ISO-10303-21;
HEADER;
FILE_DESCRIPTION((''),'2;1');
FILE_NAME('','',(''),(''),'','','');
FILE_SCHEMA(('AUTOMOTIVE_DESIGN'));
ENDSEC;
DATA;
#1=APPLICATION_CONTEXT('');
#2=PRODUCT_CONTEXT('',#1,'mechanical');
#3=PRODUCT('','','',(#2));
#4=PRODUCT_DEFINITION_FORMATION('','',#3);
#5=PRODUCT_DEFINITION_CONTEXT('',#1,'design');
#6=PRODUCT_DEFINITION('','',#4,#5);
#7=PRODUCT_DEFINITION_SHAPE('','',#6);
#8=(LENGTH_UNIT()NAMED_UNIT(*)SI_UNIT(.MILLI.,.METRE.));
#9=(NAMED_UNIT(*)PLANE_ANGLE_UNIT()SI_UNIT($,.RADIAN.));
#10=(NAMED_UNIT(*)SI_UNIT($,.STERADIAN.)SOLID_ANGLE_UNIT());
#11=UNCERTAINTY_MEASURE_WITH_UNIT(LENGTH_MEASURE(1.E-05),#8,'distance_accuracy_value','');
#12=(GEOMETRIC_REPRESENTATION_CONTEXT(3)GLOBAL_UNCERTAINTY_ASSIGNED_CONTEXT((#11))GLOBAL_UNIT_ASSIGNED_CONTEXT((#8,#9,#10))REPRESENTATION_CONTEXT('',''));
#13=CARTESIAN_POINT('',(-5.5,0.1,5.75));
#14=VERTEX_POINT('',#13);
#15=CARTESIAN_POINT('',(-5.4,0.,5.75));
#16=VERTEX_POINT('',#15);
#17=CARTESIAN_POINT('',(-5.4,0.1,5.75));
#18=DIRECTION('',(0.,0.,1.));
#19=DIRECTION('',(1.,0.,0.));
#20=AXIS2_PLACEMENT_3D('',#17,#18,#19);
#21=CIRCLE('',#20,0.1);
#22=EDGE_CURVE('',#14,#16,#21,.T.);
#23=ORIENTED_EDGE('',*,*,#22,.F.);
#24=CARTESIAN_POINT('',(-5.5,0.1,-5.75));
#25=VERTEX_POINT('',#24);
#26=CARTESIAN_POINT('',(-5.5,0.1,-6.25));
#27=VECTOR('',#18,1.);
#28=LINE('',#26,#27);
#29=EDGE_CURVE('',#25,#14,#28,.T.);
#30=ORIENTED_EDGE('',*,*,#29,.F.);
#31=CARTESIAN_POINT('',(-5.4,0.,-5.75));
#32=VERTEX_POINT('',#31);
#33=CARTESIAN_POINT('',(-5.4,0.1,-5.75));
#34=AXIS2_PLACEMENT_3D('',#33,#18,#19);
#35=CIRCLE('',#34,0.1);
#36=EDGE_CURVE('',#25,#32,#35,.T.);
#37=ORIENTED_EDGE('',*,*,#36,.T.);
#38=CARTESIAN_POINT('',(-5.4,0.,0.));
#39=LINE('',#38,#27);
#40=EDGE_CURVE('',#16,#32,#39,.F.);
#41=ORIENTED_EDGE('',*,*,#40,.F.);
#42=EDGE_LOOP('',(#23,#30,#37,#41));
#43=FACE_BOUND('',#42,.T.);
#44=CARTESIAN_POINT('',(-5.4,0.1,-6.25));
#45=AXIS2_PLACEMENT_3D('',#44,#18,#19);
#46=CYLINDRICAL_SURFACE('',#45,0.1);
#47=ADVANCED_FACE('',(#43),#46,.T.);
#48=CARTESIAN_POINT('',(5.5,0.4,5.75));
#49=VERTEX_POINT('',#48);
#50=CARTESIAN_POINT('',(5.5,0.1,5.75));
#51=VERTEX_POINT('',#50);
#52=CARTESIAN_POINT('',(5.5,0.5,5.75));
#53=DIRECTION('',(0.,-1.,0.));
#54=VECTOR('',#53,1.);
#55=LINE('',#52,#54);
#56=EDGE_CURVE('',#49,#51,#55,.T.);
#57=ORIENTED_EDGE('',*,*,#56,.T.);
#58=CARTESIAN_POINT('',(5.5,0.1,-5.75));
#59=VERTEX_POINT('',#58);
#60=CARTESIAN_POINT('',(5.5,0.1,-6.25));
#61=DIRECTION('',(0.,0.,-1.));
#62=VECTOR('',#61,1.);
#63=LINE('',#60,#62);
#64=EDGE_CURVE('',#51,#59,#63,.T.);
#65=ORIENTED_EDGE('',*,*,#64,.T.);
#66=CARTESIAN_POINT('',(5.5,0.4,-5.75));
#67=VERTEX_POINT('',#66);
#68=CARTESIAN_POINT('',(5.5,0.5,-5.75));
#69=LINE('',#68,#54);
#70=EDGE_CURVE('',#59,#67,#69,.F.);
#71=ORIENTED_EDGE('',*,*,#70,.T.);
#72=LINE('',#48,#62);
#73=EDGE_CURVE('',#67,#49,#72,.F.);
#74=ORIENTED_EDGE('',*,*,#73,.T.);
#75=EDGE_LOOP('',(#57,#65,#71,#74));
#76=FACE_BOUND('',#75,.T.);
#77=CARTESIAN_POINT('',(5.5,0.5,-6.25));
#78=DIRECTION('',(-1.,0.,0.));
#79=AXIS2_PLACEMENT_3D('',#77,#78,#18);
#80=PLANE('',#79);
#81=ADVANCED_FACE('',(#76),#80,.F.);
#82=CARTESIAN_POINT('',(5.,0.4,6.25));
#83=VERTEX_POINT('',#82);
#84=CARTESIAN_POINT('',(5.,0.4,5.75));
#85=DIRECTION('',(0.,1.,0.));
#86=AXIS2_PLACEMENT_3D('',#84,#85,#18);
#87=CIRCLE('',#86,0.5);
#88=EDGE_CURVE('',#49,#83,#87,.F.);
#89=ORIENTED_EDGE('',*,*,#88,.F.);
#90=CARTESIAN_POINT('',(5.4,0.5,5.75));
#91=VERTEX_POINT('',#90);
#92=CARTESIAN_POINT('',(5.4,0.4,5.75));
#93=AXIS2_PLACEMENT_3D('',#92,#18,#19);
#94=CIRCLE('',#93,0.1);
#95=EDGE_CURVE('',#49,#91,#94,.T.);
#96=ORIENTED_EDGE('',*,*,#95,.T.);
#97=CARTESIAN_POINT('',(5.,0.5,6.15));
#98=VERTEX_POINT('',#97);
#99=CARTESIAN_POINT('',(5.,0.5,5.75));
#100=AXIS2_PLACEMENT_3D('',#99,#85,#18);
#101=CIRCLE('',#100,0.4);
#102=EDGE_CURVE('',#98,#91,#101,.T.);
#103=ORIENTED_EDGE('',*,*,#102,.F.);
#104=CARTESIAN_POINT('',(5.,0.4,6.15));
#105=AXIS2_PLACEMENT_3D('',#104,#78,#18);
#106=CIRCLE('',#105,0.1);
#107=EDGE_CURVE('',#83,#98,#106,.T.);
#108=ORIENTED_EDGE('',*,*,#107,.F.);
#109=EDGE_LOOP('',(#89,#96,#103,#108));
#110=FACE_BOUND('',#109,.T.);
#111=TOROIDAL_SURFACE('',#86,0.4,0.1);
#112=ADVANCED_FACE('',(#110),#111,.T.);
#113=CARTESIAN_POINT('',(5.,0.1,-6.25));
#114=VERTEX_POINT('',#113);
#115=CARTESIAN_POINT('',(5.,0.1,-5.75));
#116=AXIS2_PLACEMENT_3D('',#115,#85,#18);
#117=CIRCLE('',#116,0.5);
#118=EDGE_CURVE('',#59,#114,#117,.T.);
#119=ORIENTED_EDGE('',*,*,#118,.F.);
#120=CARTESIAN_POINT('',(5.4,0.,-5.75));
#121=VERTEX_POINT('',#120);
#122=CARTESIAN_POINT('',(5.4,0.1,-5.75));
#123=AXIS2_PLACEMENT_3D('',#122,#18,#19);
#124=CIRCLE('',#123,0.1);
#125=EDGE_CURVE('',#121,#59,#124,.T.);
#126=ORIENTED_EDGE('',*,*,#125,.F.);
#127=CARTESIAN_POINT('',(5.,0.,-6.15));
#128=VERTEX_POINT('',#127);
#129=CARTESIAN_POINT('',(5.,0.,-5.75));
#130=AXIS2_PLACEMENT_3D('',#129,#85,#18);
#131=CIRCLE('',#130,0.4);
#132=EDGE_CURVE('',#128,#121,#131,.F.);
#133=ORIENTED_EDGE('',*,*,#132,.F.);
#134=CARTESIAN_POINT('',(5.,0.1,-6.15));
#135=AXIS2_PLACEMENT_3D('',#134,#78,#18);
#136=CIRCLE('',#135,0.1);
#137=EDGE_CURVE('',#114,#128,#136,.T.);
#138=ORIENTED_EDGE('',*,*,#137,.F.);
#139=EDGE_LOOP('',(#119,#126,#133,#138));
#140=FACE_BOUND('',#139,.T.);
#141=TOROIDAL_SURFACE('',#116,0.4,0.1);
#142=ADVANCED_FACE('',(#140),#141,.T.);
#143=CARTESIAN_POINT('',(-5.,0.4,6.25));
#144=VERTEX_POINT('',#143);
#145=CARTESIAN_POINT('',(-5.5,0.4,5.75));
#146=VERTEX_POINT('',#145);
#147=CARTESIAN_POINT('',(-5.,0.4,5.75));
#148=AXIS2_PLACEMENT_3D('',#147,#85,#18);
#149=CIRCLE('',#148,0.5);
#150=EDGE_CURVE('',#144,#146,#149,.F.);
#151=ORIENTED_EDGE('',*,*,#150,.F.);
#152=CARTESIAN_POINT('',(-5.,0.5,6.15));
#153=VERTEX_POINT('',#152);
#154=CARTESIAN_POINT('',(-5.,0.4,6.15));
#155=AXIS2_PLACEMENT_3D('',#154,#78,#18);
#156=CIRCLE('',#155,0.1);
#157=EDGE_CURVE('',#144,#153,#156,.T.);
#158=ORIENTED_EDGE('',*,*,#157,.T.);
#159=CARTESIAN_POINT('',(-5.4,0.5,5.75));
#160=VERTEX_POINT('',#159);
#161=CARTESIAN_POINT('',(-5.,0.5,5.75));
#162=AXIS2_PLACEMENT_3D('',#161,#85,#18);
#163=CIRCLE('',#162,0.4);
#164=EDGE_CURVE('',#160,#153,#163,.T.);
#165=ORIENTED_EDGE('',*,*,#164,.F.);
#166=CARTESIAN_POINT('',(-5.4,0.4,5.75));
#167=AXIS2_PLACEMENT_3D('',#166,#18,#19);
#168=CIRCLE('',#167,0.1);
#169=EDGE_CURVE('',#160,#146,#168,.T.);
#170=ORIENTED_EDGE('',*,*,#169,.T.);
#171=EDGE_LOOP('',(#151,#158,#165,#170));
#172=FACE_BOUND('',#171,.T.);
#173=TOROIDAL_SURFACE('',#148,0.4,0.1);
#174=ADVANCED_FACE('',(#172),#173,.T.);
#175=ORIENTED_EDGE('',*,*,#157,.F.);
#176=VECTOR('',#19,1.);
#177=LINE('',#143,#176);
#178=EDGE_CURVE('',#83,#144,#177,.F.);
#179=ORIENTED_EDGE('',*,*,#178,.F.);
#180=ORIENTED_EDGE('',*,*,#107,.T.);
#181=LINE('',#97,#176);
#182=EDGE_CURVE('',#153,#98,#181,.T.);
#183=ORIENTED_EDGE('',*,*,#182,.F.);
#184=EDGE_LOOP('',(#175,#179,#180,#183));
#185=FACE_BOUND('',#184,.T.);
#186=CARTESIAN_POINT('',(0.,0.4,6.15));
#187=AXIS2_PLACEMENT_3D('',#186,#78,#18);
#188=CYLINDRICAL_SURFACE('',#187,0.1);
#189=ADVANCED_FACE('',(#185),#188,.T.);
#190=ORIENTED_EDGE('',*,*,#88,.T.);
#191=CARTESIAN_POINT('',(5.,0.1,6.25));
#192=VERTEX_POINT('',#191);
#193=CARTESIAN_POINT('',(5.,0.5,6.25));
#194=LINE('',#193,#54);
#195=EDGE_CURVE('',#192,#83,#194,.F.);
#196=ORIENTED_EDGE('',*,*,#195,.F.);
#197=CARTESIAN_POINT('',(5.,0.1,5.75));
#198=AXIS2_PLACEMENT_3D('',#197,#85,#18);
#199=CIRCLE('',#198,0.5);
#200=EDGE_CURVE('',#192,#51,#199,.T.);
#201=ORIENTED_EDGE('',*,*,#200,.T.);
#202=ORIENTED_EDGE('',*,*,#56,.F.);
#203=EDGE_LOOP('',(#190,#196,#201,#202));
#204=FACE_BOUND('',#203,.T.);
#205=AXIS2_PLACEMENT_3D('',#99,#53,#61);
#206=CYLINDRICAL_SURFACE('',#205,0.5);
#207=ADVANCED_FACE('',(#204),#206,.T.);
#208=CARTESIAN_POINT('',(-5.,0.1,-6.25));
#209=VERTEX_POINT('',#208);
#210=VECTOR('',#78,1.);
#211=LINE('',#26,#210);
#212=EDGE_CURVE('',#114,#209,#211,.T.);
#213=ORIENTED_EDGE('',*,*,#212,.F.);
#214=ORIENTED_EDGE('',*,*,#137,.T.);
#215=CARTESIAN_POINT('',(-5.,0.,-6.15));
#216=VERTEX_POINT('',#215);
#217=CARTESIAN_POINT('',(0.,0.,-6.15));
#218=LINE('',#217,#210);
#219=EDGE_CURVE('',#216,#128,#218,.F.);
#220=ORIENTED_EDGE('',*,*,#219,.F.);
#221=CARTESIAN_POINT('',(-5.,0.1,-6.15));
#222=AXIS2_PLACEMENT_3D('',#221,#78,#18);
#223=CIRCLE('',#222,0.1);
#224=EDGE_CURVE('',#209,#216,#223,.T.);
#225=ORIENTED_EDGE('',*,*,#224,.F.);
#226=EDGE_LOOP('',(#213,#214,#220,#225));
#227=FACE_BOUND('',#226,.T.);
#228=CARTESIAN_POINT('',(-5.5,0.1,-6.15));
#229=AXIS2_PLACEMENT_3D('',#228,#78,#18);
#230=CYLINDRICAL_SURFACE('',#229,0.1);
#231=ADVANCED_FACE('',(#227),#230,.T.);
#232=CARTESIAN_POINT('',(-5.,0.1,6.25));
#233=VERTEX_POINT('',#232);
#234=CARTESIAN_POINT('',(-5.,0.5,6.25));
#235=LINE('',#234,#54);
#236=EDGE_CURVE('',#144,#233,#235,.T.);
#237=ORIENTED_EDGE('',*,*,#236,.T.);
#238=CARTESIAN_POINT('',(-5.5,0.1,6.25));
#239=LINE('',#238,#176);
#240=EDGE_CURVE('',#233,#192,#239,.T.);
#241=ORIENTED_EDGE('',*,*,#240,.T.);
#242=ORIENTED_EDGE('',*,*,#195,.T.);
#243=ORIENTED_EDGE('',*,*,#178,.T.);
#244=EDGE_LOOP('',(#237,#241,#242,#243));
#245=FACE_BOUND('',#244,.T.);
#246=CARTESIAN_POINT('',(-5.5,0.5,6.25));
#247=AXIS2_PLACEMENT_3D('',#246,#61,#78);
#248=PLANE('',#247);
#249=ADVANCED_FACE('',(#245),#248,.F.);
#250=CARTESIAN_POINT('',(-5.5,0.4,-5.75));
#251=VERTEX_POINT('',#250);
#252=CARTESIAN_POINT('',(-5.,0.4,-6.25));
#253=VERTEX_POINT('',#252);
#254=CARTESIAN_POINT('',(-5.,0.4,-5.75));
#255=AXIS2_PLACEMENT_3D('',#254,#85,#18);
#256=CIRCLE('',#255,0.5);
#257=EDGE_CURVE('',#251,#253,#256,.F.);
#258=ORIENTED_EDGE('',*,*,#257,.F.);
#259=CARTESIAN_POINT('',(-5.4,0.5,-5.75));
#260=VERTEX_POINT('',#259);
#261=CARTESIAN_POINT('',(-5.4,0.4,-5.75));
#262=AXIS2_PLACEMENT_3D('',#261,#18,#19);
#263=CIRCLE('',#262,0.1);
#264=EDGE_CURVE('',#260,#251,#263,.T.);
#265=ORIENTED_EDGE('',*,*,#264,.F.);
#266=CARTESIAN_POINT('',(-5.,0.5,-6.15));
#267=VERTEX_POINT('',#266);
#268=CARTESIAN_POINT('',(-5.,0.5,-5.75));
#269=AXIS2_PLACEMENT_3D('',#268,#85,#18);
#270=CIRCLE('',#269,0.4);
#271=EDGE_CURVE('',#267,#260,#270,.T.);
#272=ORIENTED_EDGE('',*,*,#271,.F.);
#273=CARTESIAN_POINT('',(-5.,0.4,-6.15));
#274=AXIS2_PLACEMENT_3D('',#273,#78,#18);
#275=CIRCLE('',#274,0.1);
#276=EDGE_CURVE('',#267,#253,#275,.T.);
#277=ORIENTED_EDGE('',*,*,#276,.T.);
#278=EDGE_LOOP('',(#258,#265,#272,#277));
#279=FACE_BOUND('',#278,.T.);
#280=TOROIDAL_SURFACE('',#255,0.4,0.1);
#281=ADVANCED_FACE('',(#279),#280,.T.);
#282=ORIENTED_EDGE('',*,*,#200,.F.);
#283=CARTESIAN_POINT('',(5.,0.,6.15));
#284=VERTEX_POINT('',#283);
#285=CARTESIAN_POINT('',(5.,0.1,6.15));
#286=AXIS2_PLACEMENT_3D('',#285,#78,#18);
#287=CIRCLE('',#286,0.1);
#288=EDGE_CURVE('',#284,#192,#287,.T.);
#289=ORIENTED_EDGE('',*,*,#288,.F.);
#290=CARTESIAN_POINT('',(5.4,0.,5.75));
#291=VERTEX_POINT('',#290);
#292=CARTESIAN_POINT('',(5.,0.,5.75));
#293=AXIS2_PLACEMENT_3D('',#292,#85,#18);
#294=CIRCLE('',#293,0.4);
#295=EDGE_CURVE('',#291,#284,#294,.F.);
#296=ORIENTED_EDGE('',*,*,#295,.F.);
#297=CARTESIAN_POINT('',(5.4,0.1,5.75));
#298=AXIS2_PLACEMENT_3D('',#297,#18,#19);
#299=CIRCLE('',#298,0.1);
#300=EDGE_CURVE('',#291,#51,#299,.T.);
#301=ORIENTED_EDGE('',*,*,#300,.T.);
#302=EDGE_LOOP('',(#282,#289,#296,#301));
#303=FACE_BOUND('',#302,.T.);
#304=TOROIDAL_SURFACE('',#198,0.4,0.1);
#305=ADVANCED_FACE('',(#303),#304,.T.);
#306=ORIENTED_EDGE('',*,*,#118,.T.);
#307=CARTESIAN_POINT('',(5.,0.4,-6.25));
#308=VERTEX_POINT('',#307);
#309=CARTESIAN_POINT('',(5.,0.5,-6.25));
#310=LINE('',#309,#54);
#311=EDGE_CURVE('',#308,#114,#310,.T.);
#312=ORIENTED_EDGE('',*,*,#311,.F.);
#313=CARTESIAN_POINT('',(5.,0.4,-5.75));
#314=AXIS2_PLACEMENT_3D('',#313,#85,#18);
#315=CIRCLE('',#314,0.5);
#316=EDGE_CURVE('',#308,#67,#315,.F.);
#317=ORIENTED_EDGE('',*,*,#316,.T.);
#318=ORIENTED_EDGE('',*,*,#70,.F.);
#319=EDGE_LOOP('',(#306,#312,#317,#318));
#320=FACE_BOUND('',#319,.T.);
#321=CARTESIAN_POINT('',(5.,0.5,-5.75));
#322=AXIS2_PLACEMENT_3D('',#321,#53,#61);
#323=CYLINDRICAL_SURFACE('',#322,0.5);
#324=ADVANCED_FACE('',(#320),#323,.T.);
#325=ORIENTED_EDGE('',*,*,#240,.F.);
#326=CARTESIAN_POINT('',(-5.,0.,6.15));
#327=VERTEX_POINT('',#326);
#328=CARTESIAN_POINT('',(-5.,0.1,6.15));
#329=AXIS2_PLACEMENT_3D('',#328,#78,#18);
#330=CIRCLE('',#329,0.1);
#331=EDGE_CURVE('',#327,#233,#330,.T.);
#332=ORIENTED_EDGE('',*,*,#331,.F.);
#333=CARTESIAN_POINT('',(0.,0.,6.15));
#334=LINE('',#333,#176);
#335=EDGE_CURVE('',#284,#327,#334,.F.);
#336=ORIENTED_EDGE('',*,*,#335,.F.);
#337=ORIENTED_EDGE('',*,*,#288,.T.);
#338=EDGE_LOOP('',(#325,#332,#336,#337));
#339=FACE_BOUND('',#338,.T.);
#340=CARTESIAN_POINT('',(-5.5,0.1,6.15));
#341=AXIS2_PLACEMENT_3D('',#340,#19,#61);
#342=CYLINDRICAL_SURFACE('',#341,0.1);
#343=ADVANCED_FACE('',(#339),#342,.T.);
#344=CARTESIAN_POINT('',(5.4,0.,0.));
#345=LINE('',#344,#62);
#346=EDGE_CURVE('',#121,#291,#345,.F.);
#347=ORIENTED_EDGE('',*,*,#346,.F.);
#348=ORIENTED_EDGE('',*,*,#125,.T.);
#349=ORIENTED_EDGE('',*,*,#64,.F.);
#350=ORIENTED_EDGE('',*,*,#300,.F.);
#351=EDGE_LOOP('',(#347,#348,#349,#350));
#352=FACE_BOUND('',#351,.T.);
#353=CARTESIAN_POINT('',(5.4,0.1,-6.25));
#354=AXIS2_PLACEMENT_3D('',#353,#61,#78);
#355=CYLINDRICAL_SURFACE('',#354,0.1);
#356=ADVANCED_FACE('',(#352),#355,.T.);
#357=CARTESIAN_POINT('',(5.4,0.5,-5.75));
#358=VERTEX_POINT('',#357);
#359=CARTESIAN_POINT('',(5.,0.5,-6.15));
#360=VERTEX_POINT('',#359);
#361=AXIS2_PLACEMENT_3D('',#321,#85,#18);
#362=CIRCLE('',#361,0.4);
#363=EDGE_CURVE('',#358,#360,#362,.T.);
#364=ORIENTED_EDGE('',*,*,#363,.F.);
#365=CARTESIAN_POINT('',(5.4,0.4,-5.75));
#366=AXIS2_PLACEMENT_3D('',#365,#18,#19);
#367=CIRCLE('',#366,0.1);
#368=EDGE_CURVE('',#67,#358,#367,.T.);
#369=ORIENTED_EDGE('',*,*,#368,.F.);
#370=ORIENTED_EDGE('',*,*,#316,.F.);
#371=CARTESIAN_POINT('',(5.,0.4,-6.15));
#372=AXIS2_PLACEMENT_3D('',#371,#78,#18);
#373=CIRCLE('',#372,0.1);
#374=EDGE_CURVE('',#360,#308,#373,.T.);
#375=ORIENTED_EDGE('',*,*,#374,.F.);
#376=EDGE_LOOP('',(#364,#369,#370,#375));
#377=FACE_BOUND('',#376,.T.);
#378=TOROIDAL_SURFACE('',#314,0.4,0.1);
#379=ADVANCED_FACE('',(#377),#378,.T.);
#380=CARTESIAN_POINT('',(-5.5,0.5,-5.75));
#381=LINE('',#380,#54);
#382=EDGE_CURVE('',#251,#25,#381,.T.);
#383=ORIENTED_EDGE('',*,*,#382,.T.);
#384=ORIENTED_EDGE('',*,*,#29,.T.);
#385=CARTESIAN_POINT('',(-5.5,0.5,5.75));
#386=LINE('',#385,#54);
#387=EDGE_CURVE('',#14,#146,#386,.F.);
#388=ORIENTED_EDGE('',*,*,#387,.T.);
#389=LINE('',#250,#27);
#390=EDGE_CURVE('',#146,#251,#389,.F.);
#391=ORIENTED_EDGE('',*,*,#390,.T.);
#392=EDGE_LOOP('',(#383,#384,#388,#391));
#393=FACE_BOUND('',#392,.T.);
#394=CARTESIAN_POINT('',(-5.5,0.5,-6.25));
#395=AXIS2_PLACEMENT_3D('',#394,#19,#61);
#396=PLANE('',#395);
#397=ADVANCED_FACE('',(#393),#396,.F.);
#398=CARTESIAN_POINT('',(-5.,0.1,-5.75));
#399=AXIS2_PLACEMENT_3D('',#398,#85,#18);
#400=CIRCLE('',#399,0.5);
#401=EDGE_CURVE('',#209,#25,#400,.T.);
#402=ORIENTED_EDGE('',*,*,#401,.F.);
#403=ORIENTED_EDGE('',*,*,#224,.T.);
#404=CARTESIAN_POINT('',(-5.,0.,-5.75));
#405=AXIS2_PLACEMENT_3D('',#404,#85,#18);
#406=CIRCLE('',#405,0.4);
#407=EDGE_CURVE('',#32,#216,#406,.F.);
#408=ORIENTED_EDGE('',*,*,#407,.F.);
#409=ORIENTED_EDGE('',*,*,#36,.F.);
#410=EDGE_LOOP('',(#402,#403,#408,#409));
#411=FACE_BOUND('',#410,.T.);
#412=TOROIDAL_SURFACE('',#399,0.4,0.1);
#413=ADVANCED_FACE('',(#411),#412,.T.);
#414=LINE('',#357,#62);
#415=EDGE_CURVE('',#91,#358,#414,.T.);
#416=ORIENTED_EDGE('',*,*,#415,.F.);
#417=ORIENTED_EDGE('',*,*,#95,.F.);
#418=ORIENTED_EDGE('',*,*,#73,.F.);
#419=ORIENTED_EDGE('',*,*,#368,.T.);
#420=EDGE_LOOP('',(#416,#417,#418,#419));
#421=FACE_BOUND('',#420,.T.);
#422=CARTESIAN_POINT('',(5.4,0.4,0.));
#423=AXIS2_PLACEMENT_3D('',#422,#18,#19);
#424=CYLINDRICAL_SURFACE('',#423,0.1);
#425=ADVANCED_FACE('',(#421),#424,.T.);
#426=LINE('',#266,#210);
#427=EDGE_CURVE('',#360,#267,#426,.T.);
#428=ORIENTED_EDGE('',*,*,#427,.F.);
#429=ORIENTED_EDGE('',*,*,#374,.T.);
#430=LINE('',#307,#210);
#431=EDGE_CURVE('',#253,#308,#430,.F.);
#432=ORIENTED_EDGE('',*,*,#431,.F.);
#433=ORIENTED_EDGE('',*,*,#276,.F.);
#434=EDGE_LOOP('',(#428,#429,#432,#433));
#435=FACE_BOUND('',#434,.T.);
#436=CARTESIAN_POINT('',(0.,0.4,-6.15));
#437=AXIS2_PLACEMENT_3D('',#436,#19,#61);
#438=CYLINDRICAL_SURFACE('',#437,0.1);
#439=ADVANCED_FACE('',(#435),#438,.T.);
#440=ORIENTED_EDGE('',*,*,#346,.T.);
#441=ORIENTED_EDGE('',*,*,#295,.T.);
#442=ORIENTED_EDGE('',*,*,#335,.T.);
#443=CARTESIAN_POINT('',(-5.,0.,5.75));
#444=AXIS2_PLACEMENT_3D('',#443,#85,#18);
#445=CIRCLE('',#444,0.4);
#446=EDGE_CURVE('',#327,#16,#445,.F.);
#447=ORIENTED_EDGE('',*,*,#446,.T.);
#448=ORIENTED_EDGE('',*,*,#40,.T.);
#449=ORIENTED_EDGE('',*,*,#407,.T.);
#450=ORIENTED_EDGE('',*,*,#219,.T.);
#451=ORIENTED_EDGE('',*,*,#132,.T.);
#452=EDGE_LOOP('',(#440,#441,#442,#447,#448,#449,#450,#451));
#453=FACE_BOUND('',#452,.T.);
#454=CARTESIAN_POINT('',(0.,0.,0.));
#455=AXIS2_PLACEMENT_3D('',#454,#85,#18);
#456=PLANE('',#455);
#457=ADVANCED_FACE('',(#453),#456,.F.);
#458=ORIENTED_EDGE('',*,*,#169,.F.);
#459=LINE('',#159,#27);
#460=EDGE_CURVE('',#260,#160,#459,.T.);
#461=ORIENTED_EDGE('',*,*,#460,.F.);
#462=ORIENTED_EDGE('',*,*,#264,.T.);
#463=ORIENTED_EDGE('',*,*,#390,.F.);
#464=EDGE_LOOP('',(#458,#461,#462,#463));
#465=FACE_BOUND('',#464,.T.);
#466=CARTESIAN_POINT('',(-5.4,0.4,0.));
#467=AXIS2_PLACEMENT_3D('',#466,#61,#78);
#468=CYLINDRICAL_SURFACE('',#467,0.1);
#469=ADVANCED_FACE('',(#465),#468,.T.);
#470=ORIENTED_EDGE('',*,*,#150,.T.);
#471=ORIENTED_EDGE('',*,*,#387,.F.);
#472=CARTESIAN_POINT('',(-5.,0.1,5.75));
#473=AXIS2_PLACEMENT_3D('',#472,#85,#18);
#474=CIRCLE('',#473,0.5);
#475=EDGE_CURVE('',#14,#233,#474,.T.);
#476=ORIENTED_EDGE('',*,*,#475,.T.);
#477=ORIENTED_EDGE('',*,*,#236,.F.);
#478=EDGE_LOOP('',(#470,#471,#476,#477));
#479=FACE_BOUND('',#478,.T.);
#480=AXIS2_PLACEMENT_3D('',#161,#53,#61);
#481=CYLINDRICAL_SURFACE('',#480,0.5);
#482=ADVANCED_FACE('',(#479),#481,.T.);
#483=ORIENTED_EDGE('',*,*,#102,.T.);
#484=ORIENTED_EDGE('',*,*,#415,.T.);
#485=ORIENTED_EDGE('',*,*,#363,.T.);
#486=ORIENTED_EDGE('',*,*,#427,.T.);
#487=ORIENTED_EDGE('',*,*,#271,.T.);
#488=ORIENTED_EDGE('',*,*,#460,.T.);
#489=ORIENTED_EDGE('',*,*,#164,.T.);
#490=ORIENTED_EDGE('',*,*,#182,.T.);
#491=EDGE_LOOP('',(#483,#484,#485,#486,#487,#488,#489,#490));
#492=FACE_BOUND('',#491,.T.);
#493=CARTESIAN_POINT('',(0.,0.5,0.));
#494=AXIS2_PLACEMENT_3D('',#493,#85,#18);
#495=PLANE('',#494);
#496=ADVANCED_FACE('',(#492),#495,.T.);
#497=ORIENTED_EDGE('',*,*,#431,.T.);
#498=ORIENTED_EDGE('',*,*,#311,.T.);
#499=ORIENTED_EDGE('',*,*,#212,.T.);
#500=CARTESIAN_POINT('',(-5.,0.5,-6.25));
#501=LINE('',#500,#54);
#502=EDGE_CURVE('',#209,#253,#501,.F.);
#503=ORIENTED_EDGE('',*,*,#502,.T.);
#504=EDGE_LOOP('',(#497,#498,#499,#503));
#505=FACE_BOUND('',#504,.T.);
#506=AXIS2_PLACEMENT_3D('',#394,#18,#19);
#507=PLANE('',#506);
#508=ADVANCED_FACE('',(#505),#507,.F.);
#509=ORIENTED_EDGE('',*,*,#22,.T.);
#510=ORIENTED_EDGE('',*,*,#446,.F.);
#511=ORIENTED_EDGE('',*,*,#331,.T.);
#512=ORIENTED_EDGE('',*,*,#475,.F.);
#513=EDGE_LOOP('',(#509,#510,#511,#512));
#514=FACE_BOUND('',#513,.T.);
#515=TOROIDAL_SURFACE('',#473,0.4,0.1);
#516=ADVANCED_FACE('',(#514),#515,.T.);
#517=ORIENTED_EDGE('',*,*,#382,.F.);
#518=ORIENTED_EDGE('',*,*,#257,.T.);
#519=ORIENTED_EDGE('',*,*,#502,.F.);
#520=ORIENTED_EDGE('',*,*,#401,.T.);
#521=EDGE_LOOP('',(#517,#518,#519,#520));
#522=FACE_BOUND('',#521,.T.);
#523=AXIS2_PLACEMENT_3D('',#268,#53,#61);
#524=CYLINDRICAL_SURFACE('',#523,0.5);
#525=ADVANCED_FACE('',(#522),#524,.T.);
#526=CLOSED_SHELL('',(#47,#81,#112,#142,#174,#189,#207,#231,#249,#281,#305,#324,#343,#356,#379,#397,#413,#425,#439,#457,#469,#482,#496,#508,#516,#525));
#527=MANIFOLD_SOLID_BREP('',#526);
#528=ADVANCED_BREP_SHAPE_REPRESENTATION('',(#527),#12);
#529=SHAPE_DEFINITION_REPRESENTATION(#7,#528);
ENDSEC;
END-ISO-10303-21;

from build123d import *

# Parameters (mm, degrees)
SKETCH1_W           = 11
SKETCH1_H           = 12.5
BOSS_EXTRUDE1_DEPTH = 0.5
FILLET1_R           = 0.5
FILLET2_R           = 0.1


with BuildPart() as part:
    # Sketch1 → Boss-Extrude1 (new body)
    with BuildSketch(Plane(origin=(0, 0, 0), x_dir=(1, 0, 0), z_dir=(0, 1, 0))):
        Rectangle(SKETCH1_W, SKETCH1_H)
    extrude(amount=BOSS_EXTRUDE1_DEPTH)

    # Fillet1
    fillet1_edges = [part.edges().sort_by_distance(p)[0] for p in [
        (-5.5, 0.25, -6.25),
        (5.5, 0.25, -6.25),
        (5.5, 0.25, 6.25),
        (-5.5, 0.25, 6.25),
    ]]
    fillet(fillet1_edges, radius=FILLET1_R)

    # Fillet2
    fillet2_edges = [part.edges().sort_by_distance(p)[0] for p in [
        (-5.5, 0, 0),
        (-5.5, 0.5, 0),
        (0, 0, -6.25),
        (5.5, 0, 0),
        (0, 0, 6.25),
        (5.353553391, 0, 6.103553391),
        (-5.353553391, 0, 6.103553391),
        (5.353553391, 0, -6.103553391),
        (-5.353553391, 0, -6.103553391),
        (0, 0.5, -6.25),
        (0, 0.5, 6.25),
        (5.5, 0.5, 0),
        (5.353553391, 0.5, 6.103553391),
        (-5.353553391, 0.5, 6.103553391),
        (5.353553391, 0.5, -6.103553391),
        (-5.353553391, 0.5, -6.103553391),
    ]]
    fillet(fillet2_edges, radius=FILLET2_R)


solid = part.part
